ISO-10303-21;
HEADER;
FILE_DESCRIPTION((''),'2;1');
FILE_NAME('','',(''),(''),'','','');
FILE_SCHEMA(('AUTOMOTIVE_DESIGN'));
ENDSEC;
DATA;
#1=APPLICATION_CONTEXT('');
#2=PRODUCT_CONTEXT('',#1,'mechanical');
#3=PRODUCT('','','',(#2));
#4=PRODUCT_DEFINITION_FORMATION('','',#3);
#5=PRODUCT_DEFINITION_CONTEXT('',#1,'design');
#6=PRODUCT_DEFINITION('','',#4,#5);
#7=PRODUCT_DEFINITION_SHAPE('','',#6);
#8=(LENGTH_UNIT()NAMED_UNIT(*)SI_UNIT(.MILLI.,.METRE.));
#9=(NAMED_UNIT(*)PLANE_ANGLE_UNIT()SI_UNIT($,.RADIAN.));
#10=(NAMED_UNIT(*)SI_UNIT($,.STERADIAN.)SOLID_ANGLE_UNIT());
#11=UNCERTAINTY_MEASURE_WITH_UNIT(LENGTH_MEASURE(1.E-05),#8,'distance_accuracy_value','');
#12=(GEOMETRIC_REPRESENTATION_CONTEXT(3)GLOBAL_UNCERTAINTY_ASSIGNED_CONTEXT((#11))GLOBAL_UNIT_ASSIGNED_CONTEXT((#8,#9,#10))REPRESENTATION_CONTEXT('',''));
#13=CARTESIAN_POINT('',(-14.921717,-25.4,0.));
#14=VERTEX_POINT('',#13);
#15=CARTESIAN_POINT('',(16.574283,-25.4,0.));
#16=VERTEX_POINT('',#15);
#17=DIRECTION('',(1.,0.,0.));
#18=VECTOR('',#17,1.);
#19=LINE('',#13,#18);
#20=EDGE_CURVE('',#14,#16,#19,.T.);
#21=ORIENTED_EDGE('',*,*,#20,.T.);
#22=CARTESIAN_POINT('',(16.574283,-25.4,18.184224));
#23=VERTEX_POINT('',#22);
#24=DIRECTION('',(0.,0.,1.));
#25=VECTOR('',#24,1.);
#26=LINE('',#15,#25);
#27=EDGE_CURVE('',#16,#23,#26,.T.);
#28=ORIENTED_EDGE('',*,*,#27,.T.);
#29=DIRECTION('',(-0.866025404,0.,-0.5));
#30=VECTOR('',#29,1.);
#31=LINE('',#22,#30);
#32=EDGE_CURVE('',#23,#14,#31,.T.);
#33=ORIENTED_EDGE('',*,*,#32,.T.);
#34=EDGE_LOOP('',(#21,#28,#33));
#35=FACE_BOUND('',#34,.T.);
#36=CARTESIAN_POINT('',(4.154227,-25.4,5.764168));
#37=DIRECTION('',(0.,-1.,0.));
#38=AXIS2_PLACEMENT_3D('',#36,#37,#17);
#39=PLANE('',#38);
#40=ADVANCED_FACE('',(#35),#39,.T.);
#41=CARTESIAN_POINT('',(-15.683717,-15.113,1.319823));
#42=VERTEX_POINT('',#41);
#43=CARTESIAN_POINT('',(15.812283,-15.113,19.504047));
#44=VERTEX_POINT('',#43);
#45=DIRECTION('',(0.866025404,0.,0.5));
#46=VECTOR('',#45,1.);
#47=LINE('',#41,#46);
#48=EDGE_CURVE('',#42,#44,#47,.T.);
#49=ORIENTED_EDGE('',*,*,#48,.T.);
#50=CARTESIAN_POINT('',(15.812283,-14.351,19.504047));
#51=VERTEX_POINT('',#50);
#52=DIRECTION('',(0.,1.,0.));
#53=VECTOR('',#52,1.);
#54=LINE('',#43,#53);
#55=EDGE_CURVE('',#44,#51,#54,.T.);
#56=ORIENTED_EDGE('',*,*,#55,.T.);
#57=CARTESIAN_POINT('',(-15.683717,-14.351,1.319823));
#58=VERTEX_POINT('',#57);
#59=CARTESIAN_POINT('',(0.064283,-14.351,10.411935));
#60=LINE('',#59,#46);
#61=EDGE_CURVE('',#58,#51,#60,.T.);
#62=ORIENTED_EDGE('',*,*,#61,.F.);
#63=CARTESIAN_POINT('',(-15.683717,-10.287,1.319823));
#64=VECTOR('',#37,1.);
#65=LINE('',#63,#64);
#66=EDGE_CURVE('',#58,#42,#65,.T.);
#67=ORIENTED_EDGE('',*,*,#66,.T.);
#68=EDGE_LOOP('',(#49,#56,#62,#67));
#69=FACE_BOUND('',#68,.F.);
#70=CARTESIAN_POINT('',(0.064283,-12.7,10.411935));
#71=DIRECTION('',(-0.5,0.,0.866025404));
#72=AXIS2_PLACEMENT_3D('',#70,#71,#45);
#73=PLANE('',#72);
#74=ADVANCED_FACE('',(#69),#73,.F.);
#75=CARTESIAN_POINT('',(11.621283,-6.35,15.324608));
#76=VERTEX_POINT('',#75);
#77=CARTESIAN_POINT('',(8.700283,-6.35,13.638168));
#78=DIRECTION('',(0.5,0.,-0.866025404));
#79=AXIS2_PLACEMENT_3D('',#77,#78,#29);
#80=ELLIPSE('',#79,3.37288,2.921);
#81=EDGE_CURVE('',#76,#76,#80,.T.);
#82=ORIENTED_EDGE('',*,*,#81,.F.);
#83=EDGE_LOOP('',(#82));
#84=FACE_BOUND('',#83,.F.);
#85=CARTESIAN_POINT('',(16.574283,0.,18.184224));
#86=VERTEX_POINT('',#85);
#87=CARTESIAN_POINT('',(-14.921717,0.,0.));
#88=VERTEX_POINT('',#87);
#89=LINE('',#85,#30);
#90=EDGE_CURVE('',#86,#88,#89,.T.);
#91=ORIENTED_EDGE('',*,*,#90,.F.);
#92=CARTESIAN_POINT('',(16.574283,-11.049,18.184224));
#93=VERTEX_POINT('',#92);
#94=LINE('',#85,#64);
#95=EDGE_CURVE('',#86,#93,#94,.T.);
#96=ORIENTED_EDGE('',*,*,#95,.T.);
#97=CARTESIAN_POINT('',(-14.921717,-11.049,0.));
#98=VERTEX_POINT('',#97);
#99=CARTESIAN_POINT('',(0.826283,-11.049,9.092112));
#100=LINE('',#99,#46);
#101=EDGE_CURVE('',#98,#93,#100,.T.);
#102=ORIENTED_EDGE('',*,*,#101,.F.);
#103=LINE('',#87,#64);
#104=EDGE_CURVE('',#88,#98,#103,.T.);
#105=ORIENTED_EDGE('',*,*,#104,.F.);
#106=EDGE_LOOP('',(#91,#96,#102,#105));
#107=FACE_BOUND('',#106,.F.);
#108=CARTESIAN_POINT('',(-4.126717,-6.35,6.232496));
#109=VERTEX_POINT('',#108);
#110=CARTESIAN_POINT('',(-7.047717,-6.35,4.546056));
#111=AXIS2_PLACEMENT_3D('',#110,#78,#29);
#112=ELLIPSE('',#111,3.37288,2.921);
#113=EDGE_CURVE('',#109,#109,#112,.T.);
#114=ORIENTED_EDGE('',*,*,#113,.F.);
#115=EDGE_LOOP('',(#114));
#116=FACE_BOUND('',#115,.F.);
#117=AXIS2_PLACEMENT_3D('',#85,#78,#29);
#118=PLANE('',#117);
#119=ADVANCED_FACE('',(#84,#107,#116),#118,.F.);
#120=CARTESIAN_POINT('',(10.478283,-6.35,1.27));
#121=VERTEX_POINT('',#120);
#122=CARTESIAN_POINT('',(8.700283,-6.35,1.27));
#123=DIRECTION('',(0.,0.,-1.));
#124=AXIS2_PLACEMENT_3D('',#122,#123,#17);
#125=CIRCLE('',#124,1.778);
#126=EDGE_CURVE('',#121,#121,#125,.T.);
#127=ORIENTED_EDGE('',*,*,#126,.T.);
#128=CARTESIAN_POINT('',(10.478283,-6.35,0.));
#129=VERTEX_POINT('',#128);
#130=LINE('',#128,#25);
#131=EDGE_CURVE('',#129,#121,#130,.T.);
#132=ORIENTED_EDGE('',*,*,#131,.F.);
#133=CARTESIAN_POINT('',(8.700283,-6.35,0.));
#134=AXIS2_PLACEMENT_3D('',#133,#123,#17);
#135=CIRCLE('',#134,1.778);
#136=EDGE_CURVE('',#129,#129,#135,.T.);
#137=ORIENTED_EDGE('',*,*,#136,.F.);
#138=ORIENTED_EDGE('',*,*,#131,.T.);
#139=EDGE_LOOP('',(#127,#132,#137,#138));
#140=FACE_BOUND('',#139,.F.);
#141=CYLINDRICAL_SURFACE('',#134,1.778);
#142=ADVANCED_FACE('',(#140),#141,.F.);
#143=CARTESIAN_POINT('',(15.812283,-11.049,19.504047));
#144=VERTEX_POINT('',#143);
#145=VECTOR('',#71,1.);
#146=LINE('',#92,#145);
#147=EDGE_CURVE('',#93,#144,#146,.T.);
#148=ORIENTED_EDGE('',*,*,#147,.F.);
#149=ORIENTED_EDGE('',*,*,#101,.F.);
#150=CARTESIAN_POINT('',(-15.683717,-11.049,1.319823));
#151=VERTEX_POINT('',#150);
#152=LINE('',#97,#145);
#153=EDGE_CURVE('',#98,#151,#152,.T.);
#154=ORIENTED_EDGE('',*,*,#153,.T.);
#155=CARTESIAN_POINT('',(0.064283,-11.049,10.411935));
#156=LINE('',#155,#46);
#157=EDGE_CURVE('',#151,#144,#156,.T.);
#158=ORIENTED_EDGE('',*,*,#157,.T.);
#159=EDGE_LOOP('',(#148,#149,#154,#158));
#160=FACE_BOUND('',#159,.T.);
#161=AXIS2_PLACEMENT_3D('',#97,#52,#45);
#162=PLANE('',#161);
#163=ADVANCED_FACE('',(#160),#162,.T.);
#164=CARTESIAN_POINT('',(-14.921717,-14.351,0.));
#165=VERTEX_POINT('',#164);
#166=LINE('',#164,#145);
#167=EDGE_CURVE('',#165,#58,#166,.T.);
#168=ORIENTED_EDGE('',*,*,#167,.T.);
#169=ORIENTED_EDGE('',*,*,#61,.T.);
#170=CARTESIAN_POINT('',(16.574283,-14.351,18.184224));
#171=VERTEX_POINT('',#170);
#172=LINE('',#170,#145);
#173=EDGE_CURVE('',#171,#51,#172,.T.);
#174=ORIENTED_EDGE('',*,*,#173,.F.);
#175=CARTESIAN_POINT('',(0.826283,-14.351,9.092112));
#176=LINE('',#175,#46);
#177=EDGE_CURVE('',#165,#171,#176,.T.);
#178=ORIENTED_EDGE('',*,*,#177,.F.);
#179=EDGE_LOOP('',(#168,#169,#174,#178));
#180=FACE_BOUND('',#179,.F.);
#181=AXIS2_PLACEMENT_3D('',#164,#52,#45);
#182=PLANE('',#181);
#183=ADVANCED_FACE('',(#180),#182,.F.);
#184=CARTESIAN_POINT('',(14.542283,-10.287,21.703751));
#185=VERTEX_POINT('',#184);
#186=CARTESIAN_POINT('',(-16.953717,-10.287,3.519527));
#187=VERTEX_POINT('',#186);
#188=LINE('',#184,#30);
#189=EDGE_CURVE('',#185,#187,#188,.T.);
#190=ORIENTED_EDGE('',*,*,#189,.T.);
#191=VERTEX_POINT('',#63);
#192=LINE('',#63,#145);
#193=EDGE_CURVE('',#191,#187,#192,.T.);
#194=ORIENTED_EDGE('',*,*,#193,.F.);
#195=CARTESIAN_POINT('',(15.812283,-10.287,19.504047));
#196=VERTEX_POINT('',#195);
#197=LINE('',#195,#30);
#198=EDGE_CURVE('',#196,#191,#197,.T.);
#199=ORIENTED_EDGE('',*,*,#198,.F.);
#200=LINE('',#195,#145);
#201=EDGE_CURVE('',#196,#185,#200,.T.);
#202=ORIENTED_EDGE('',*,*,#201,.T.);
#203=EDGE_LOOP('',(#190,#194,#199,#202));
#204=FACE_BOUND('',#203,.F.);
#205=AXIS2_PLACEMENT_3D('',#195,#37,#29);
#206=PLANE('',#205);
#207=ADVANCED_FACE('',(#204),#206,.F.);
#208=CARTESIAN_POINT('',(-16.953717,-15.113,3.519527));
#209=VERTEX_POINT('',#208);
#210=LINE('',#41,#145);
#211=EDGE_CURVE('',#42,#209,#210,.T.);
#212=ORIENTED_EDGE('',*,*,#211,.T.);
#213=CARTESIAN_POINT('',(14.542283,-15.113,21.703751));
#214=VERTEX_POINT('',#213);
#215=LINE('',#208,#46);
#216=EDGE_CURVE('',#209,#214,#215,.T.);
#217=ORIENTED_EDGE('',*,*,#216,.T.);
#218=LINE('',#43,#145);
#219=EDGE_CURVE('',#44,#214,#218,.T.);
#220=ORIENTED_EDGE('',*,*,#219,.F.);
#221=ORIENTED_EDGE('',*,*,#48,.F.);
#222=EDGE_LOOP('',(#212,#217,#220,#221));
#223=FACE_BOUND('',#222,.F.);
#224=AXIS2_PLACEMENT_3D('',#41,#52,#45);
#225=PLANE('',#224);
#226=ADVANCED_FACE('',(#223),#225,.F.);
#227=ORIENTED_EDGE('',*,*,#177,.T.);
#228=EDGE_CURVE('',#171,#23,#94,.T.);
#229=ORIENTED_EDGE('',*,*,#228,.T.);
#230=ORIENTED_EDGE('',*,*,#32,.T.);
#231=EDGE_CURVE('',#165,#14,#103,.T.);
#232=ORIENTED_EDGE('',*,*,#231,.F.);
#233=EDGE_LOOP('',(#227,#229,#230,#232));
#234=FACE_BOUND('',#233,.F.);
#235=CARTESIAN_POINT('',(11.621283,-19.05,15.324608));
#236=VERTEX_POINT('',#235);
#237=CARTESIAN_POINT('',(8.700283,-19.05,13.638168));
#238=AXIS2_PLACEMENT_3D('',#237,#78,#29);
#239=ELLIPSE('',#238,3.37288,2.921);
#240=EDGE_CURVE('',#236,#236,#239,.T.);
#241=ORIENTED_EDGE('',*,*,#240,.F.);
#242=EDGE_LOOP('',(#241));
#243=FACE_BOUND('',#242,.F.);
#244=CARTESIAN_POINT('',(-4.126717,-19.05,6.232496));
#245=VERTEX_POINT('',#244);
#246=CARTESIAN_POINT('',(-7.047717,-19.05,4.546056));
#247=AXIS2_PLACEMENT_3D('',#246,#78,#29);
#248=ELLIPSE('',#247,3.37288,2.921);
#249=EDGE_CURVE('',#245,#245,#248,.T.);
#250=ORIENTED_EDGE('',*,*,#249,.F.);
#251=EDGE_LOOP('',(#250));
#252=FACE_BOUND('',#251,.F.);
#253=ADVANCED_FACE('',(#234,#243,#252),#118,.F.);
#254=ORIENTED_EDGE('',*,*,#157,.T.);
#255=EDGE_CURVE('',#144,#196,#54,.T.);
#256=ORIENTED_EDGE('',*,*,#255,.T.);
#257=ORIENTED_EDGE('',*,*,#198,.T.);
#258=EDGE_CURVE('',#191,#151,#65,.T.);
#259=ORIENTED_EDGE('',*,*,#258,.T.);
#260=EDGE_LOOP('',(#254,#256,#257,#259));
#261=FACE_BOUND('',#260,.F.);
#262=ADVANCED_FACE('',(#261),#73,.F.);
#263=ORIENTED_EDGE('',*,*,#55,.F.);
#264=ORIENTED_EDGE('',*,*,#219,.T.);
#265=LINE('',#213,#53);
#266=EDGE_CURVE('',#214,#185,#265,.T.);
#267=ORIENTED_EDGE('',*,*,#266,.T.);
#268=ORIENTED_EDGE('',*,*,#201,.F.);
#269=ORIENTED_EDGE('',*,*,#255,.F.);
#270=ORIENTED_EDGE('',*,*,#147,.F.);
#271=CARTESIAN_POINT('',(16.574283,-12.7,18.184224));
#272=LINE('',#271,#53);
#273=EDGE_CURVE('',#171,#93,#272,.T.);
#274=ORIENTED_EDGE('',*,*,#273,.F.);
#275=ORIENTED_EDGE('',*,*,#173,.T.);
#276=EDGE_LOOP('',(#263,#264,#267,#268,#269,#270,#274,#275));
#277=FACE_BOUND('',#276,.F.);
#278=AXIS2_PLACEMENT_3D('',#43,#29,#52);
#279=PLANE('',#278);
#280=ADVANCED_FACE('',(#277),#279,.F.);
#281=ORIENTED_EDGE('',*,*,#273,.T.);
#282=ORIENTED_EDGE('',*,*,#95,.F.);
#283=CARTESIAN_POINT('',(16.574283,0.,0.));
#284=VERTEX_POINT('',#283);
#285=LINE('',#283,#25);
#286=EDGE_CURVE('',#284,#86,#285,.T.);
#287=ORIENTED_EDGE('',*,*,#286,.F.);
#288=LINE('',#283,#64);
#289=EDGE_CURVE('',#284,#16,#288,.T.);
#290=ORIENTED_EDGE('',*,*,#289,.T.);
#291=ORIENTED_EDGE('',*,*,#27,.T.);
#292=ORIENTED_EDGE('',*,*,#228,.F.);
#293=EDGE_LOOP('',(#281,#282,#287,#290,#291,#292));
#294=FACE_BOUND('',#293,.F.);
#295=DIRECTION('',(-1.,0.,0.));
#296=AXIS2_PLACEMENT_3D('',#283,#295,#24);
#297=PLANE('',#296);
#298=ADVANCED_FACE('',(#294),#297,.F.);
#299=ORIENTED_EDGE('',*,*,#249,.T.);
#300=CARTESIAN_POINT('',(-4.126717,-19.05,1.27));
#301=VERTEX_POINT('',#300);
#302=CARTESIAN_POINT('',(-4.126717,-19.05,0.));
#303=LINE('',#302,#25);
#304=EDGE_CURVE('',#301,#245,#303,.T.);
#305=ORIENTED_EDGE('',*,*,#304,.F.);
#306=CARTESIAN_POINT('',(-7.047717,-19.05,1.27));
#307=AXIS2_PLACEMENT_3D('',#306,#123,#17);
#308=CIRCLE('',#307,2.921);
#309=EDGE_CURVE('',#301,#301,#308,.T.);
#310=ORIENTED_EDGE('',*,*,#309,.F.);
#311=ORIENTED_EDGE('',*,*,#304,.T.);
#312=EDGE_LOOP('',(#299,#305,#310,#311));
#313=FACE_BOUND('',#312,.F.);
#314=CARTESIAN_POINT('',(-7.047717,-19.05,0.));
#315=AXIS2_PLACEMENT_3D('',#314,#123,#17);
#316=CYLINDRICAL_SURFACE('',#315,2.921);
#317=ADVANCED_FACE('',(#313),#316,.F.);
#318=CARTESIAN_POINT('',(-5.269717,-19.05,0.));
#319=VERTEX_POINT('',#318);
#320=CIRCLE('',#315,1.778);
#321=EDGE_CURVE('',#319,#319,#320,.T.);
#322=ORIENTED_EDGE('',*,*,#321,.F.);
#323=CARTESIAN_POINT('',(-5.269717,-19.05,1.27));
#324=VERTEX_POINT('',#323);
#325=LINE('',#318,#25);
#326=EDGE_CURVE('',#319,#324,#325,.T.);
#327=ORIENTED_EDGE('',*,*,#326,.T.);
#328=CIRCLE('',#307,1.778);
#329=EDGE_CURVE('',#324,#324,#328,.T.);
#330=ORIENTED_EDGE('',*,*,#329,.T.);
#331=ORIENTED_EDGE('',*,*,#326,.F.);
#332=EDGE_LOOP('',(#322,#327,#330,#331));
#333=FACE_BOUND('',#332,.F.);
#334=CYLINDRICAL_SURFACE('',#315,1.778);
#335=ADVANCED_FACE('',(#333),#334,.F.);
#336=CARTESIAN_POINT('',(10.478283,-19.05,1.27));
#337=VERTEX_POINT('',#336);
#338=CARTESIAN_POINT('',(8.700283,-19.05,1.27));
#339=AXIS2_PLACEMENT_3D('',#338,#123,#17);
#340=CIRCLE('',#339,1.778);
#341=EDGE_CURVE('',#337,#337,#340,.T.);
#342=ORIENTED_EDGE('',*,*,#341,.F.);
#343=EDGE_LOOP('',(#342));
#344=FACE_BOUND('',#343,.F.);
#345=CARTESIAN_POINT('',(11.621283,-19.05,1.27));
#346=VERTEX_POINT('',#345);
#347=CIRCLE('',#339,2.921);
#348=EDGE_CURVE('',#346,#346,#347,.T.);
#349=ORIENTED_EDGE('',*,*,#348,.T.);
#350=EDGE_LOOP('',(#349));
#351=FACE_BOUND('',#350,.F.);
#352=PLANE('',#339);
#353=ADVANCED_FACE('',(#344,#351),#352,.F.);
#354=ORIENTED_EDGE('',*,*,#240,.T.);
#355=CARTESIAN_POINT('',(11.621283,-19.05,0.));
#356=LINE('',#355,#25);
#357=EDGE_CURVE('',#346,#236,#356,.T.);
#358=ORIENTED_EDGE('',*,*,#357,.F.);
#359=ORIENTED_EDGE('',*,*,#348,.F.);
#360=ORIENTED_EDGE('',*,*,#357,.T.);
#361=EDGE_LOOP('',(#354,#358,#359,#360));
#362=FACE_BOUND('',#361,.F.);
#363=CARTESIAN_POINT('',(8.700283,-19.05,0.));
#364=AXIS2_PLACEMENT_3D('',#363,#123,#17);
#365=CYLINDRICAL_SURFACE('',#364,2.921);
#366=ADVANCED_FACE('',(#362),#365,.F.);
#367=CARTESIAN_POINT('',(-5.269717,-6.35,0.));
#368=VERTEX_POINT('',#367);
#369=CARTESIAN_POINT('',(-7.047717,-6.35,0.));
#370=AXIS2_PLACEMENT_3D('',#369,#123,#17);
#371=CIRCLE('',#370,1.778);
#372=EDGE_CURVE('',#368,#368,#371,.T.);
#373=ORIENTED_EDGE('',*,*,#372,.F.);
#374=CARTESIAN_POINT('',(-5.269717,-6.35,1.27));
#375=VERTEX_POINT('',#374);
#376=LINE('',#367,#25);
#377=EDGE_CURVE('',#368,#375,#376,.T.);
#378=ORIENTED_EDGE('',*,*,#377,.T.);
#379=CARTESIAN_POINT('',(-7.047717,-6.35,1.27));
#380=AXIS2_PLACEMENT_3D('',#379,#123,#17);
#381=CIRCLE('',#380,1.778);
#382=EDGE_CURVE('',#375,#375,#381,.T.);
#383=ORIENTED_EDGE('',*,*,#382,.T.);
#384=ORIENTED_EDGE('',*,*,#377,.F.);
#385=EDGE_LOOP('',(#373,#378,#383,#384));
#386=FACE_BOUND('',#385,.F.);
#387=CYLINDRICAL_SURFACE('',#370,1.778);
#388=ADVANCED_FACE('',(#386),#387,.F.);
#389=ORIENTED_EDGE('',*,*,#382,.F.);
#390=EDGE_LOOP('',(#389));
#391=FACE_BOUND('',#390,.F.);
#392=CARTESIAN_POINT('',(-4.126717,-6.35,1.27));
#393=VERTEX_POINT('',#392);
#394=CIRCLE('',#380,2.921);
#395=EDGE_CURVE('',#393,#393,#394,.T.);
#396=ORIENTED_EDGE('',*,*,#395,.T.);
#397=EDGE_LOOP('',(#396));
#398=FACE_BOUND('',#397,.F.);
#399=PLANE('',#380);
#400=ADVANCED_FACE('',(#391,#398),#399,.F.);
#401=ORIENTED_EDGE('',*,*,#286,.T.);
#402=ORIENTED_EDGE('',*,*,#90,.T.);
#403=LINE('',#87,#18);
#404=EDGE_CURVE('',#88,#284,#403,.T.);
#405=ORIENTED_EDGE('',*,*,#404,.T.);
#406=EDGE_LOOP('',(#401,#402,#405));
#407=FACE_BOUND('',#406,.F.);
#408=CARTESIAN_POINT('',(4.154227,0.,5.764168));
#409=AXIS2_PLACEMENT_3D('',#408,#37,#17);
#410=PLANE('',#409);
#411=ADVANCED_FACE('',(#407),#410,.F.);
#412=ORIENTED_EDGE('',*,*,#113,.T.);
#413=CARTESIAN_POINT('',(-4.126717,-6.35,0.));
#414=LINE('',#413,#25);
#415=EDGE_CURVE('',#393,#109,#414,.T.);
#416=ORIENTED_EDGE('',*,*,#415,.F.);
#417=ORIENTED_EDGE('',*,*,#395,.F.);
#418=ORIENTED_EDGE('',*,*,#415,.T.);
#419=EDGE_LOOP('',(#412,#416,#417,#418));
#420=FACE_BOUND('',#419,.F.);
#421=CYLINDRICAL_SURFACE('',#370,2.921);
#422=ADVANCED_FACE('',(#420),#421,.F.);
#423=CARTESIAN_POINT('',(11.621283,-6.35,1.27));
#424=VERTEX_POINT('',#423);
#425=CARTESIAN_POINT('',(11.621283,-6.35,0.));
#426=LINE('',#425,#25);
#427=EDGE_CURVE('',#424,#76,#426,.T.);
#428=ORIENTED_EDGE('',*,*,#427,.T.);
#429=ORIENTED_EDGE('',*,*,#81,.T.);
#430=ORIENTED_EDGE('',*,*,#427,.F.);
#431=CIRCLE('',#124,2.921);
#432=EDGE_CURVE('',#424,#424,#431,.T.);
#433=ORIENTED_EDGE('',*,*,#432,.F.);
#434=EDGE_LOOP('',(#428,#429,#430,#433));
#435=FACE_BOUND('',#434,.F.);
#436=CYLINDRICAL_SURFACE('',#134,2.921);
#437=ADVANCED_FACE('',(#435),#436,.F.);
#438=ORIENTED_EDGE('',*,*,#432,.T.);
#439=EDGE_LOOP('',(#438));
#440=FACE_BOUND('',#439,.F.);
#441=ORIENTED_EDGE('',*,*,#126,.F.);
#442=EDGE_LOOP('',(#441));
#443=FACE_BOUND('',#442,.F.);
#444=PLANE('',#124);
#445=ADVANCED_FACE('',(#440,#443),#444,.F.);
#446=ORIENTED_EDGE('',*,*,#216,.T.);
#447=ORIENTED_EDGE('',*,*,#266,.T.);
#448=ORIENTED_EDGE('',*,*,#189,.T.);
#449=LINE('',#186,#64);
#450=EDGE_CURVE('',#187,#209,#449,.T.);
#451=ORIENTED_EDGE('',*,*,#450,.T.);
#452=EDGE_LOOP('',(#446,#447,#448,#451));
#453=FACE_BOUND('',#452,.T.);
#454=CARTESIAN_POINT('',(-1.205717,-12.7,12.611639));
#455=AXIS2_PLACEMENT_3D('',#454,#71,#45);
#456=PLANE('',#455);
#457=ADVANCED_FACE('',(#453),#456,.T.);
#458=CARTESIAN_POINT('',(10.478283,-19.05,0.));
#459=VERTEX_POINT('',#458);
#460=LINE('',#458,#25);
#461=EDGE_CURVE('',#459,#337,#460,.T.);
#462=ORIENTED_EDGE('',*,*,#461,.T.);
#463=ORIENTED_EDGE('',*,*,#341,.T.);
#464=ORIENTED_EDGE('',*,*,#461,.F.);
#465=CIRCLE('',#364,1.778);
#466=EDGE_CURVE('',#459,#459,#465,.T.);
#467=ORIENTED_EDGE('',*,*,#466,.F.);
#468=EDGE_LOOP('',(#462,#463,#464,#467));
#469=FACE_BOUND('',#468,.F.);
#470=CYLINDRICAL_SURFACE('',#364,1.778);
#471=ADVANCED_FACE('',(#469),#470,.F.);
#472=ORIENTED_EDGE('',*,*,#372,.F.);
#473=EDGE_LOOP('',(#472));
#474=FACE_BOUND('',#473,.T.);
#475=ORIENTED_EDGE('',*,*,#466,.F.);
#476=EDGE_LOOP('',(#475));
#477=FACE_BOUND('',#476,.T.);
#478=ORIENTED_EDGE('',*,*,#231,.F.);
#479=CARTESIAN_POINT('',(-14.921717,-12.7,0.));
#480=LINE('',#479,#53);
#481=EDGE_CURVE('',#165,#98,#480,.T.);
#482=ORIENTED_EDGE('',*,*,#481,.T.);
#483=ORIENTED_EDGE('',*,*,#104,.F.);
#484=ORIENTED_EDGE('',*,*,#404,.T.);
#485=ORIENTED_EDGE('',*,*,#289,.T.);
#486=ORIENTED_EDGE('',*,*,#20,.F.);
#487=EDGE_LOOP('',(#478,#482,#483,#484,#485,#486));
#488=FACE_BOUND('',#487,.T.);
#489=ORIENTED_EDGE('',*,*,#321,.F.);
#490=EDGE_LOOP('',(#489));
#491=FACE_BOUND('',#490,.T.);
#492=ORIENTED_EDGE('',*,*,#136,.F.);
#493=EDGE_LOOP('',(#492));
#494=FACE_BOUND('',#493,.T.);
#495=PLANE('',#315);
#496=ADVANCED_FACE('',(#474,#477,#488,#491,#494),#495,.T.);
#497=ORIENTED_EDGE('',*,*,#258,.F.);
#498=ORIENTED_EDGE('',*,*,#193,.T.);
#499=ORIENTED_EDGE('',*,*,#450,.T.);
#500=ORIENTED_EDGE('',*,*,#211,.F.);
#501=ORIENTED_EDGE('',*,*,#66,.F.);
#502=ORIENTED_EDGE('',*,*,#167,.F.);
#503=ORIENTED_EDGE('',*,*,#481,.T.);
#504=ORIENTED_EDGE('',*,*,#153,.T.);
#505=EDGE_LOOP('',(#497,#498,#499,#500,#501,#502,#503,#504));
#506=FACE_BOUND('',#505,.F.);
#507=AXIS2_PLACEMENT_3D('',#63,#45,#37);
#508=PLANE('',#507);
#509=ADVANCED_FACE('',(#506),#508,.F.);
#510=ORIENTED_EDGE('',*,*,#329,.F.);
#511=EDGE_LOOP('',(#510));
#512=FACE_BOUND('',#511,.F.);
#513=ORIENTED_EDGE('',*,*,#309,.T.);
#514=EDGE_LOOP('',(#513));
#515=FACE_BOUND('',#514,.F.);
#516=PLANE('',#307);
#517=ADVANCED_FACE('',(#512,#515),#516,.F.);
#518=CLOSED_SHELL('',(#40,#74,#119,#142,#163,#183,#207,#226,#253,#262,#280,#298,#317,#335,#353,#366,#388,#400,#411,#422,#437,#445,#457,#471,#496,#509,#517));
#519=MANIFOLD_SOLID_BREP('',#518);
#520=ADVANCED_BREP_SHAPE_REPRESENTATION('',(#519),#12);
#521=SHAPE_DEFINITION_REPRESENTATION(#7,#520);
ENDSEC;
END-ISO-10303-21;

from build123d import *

# Parameters (mm, degrees)
F1_DEPTH = 25.4
F2_R     = 2.921
F2_R_2   = 1.778
F3_DEPTH = 25.4
F4_DEPTH = 1.27
F5_W     = 36.3684481568
F5_H     = 3.302
F6_DEPTH = 1.524
F8_DEPTH = 2.54


with BuildPart() as f1:
    # F0 (on Front) → F1 (new body)
    with BuildSketch(Plane.XZ):
        Polygon((16.5742833321, 18.1842240784), (-14.9217166679, 0), (16.5742833321, 0), align=None)
    extrude(amount=F1_DEPTH)

    # F2 (on face) → F3 (cut)
    with BuildSketch(Plane(origin=(0, 0, 0), x_dir=(1, 0, 0), z_dir=(0, 0, -1))):
        with Locations((-7.0477166679, 19.05)):
            Circle(F2_R)
        with Locations((-7.0477166679, 19.05)):
            Circle(F2_R_2, mode=Mode.SUBTRACT)
        with Locations((8.7002833321, 19.05)):
            Circle(F2_R)
        with Locations((8.7002833321, 19.05)):
            Circle(F2_R_2, mode=Mode.SUBTRACT)
        with Locations((-7.0477166679, 6.35)):
            Circle(F2_R)
        with Locations((-7.0477166679, 6.35)):
            Circle(F2_R_2, mode=Mode.SUBTRACT)
        with Locations((8.7002833321, 6.35)):
            Circle(F2_R)
        with Locations((8.7002833321, 6.35)):
            Circle(F2_R_2, mode=Mode.SUBTRACT)
        with Locations((-7.0477166679, 19.05)):
            Circle(F2_R_2)
        with Locations((8.7002833321, 19.05)):
            Circle(F2_R_2)
        with Locations((-7.0477166679, 6.35)):
            Circle(F2_R_2)
        with Locations((8.7002833321, 6.35)):
            Circle(F2_R_2)
    extrude(amount=-F3_DEPTH, mode=Mode.SUBTRACT)

    # F2 (on face) → F4 (join)
    with BuildSketch(Plane(origin=(0, 0, 0), x_dir=(1, 0, 0), z_dir=(0, 0, -1))):
        with Locations((-7.0477166679, 19.05)):
            Circle(F2_R)
        with Locations((-7.0477166679, 19.05)):
            Circle(F2_R_2, mode=Mode.SUBTRACT)
        with Locations((8.7002833321, 19.05)):
            Circle(F2_R)
        with Locations((8.7002833321, 19.05)):
            Circle(F2_R_2, mode=Mode.SUBTRACT)
        with Locations((-7.0477166679, 6.35)):
            Circle(F2_R)
        with Locations((-7.0477166679, 6.35)):
            Circle(F2_R_2, mode=Mode.SUBTRACT)
        with Locations((8.7002833321, 6.35)):
            Circle(F2_R)
        with Locations((8.7002833321, 6.35)):
            Circle(F2_R_2, mode=Mode.SUBTRACT)
    extrude(amount=-F4_DEPTH)

    # F5 (on face) → F6 (join)
    with BuildSketch(Plane(origin=(-3.730429167, 0, 6.4612928512), x_dir=(0.8660254038, 0, 0.5), z_dir=(-0.5, 0, 0.8660254038))):
        with Locations((5.2616383759, -12.7)):
            Rectangle(F5_W, F5_H)
    extrude(amount=F6_DEPTH)

    # F7 (on face) → F8 (join)
    with BuildSketch(Plane(origin=(-4.492429167, 0, 7.7811155666), x_dir=(0.8660254038, 0, 0.5), z_dir=(-0.5, 0, 0.8660254038))):
        Polygon((-12.9225857025, -10.287), (-12.9225857025, -12.7), (-12.9225857025, -15.113), (23.4458624543, -15.113), (23.4458624543, -12.7), (23.4458624543, -10.287), align=None)
    extrude(amount=F8_DEPTH)


solid = f1.part
